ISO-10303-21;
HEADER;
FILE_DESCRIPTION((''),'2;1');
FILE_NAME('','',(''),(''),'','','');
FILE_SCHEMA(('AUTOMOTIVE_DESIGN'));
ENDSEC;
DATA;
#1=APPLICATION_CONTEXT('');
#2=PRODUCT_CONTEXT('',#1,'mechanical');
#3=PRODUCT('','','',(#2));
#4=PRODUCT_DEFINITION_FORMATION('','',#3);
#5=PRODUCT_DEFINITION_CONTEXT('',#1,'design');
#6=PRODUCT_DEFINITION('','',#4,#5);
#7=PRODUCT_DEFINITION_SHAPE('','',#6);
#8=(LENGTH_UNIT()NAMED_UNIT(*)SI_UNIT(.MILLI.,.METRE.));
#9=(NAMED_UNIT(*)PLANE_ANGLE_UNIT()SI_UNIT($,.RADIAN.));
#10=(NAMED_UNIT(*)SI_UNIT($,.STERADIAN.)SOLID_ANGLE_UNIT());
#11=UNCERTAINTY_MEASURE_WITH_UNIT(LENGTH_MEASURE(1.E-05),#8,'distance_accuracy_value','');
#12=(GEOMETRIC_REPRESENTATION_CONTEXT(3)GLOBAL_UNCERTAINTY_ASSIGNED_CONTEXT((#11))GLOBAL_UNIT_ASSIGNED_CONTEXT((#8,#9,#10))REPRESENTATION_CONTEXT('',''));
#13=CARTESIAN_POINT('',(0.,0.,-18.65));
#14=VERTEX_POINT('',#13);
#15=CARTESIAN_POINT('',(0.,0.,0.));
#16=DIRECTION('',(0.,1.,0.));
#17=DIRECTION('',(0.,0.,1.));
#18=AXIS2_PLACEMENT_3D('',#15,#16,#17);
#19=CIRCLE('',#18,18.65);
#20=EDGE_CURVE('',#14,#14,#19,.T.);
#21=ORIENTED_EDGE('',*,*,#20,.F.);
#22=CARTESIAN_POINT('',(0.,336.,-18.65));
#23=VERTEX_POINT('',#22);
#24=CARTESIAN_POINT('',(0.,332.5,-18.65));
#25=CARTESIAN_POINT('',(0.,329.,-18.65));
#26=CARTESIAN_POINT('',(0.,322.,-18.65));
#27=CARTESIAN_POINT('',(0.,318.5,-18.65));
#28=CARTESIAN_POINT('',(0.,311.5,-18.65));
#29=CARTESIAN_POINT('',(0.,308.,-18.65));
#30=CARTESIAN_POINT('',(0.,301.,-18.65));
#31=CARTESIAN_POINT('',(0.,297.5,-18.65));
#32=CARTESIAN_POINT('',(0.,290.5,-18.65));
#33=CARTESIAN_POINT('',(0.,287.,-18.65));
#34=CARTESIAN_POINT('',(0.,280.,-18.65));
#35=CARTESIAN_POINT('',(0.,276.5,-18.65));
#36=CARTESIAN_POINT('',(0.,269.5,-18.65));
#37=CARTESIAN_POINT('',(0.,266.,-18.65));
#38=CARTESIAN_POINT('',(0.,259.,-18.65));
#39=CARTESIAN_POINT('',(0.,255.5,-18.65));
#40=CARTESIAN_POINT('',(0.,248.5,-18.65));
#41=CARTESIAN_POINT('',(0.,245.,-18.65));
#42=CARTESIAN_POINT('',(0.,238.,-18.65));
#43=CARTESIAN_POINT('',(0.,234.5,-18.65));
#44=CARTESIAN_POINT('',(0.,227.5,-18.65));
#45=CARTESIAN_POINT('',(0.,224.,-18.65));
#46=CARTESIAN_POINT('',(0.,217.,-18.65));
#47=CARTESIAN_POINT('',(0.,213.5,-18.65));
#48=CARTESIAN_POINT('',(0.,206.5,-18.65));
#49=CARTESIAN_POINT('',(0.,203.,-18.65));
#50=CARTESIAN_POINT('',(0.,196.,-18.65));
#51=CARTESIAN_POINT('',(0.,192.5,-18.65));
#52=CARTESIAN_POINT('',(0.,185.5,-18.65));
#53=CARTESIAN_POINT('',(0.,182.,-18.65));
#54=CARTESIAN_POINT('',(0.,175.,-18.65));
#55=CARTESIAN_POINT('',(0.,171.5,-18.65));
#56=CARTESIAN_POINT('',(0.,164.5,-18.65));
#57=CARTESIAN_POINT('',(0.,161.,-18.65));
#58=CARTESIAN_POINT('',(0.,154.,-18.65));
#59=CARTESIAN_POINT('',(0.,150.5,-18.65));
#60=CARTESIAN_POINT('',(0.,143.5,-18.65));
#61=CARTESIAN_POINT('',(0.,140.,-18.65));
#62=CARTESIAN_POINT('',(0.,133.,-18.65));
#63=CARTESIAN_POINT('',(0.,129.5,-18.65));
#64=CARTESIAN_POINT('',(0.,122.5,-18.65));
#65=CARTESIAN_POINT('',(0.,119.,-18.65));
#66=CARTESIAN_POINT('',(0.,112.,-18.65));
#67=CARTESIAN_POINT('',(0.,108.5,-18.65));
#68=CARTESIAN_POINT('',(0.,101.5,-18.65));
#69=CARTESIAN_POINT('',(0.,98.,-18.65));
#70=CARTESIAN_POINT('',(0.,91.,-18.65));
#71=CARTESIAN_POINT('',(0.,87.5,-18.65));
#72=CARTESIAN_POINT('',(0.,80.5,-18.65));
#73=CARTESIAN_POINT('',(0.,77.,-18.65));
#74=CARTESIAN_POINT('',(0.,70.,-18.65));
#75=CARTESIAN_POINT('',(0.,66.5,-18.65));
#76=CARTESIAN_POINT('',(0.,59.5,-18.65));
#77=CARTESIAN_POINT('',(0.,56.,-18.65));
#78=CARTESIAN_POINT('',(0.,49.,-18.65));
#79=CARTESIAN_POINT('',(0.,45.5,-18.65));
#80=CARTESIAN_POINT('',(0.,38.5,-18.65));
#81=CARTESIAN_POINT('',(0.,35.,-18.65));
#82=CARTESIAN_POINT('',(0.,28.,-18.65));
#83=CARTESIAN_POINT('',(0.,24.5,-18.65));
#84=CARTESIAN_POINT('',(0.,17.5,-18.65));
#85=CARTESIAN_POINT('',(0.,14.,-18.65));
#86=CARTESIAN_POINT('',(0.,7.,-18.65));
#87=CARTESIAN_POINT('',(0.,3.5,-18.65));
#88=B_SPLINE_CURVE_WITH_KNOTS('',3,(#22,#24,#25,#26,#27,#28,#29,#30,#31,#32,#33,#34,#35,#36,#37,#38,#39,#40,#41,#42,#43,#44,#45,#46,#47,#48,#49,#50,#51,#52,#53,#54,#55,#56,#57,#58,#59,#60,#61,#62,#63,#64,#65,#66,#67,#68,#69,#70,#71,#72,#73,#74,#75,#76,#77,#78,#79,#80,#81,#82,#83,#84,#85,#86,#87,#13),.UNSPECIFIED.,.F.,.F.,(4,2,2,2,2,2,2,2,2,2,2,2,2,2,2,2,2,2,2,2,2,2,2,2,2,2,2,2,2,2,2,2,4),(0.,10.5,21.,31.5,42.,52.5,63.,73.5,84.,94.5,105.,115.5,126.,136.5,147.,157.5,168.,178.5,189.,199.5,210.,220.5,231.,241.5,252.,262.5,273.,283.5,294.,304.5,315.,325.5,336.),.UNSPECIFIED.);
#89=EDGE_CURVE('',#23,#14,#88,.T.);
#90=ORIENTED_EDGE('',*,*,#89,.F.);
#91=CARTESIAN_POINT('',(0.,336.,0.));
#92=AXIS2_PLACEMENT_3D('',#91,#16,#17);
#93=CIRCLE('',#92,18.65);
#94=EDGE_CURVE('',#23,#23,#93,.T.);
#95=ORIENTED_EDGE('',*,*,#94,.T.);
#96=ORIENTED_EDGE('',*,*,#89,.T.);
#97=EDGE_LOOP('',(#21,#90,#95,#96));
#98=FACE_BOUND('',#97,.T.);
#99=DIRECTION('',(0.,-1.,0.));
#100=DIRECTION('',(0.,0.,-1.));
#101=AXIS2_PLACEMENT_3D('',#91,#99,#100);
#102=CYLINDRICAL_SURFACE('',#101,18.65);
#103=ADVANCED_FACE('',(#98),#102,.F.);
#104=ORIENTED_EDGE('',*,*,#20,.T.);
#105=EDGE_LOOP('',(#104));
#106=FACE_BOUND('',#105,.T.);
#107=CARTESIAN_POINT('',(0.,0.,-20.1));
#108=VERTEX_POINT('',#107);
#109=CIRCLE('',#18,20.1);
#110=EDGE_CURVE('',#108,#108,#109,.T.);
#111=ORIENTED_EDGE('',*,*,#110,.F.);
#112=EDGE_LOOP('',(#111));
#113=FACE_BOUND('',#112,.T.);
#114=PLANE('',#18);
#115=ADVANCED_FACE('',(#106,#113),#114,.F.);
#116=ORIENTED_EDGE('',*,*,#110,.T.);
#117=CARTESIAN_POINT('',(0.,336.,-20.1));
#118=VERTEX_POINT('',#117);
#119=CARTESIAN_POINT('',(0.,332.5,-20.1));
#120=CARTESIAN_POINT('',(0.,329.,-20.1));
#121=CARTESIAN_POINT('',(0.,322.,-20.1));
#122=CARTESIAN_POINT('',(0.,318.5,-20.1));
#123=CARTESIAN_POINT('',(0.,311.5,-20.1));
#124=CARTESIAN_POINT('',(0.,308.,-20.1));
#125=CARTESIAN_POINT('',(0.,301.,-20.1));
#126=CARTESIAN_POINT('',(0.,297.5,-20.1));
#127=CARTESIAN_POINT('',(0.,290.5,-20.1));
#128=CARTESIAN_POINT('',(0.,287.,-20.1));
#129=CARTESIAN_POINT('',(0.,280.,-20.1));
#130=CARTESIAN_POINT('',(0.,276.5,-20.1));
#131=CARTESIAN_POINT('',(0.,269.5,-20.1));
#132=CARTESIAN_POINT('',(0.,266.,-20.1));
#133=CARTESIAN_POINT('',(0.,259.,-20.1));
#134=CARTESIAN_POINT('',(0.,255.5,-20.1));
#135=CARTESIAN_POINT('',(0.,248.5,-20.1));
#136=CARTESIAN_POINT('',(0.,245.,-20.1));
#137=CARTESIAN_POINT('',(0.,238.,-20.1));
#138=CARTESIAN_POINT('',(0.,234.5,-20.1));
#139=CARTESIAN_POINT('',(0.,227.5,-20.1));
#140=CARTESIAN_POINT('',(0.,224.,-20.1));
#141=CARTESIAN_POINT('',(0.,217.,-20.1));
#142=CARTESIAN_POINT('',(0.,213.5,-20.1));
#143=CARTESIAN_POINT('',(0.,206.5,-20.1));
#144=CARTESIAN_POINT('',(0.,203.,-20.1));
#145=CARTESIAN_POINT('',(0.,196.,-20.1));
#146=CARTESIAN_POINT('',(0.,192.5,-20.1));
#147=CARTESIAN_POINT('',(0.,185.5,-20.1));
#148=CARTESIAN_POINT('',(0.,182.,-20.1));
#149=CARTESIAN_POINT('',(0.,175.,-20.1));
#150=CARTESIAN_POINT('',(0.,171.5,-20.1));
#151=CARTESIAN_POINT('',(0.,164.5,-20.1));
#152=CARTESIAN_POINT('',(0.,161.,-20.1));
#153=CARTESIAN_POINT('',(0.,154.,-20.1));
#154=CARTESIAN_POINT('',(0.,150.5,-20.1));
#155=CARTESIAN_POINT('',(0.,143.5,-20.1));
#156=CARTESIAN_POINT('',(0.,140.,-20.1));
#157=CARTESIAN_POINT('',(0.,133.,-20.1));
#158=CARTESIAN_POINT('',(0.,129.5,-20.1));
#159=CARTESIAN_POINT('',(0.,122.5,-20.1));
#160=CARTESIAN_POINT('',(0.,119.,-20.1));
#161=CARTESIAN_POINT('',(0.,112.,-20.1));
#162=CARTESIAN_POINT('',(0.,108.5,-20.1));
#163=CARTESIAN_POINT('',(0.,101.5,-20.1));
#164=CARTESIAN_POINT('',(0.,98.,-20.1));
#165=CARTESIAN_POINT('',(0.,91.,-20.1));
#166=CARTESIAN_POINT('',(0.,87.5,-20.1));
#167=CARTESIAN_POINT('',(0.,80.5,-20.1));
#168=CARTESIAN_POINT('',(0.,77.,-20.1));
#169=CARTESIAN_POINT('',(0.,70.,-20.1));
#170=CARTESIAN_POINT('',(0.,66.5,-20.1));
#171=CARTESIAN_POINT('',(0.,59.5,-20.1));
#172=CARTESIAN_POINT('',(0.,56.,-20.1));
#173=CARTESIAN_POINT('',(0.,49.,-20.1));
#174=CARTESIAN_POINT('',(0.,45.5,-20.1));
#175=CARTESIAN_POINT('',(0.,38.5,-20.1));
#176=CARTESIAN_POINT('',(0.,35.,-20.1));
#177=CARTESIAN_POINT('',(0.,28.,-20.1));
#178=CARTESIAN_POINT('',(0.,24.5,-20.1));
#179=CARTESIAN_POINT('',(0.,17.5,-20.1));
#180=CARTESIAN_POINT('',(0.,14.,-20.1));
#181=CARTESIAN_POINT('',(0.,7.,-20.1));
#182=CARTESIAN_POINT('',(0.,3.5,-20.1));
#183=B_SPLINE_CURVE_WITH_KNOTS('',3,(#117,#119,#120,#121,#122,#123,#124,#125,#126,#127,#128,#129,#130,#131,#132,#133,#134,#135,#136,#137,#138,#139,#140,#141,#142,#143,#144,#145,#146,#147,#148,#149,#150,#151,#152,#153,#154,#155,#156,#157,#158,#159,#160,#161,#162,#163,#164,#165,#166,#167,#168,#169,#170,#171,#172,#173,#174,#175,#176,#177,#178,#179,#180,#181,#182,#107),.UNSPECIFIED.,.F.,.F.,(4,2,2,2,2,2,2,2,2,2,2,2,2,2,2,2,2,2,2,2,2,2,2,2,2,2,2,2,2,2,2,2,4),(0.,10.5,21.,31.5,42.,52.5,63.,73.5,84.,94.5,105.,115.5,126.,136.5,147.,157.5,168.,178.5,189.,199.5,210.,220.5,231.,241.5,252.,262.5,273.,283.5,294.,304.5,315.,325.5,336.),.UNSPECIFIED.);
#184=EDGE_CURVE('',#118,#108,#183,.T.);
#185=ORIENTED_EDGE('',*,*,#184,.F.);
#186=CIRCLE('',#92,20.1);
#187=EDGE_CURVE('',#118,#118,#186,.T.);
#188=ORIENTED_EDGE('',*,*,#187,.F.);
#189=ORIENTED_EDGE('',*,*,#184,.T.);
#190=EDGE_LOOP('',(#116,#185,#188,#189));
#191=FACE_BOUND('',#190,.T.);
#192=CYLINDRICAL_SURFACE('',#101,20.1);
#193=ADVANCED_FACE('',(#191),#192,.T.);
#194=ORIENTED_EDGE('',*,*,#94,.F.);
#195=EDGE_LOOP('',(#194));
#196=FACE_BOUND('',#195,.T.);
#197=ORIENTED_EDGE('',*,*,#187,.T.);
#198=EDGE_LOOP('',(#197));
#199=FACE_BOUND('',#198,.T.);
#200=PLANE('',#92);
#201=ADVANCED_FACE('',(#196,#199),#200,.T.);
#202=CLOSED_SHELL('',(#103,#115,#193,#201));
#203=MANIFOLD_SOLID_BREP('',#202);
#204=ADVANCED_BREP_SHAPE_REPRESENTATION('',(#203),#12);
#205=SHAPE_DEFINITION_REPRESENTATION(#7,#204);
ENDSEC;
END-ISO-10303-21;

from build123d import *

# Parameters (mm, degrees)
SKETCH_1_R      = 20.1
SKETCH_1_R_2    = 18.65
EXTRUDE_1_DEPTH = 336


with BuildPart() as part:
    # 草图1 → 凸台-拉伸1 (new body)
    with BuildSketch(Plane(origin=(0, 0, 0), x_dir=(1, 0, 0), z_dir=(0, 1, 0))):
        Circle(SKETCH_1_R)
        Circle(SKETCH_1_R_2, mode=Mode.SUBTRACT)
    extrude(amount=EXTRUDE_1_DEPTH)


solid = part.part
